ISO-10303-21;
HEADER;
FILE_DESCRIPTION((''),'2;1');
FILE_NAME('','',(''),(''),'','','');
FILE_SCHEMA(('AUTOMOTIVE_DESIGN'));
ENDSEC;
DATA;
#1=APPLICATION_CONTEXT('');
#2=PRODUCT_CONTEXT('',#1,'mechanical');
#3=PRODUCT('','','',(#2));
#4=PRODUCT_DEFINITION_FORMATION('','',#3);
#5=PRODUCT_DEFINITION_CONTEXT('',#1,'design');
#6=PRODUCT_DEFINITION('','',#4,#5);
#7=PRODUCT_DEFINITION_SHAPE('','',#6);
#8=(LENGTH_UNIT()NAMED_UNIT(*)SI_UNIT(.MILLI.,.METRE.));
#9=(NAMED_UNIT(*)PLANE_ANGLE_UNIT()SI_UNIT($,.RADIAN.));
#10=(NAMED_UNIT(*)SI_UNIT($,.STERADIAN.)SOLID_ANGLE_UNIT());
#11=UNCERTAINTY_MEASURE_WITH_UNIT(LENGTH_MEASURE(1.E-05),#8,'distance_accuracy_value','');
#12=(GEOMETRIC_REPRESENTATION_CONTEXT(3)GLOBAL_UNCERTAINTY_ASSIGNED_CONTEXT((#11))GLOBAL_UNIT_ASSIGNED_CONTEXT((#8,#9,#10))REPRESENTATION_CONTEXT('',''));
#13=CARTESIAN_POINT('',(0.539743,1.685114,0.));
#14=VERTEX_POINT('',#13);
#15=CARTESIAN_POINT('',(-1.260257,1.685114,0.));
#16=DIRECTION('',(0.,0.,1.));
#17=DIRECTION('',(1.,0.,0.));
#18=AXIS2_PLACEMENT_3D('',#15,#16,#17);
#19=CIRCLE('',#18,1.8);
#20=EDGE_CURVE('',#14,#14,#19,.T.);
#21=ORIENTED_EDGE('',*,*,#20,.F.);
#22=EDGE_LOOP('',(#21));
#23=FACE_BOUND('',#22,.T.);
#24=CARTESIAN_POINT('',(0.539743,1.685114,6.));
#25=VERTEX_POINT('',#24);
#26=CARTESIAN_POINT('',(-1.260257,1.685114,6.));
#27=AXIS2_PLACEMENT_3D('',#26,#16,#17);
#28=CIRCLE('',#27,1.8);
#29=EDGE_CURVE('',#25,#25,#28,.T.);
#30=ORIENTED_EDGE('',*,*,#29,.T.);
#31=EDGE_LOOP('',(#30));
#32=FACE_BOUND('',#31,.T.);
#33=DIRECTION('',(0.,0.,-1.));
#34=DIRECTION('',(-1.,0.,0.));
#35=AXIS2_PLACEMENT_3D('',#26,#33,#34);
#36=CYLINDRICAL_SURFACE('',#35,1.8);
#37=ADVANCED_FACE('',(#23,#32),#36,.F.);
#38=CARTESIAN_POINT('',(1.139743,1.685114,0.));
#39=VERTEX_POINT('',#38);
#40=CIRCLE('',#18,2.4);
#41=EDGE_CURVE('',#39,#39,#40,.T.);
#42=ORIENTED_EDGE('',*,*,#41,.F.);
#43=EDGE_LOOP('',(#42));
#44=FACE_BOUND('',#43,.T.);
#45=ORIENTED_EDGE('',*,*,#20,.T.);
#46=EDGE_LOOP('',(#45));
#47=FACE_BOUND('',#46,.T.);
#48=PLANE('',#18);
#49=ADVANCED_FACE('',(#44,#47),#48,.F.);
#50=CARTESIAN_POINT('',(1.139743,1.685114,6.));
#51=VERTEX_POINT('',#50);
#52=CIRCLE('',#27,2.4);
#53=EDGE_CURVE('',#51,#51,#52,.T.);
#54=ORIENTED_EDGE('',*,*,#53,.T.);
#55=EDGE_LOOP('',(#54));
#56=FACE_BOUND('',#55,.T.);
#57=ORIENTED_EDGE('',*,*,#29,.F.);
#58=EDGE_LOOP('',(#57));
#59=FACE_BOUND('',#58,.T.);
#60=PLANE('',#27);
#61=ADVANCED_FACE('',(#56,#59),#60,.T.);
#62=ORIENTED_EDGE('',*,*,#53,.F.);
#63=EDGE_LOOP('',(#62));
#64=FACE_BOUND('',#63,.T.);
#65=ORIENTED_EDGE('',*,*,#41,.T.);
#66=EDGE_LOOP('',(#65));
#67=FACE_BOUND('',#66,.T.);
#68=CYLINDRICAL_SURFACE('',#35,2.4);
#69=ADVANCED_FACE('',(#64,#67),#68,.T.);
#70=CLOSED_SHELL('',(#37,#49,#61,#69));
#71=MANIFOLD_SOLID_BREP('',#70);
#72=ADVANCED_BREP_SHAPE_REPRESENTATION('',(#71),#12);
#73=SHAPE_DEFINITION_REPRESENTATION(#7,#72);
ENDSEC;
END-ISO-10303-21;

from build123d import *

# Parameters (mm, degrees)
ESQUISSE1_R             = 2.4
BOSS_EXTRU_1_DEPTH      = 6
ESQUISSE2_R             = 1.8
ENL_V_MAT_EXTRU_1_DEPTH = 6


with BuildPart() as part:
    # Esquisse1 → Boss.-Extru.1 (new body)
    with BuildSketch(Plane.XY):
        with Locations((-1.260256582, 1.685114141)):
            Circle(ESQUISSE1_R)
    extrude(amount=BOSS_EXTRU_1_DEPTH)

    # Esquisse2 → Enlèv. mat.-Extru.1 (cut)
    with BuildSketch(Plane.XY):
        with Locations((-1.260256582, 1.685114141)):
            Circle(ESQUISSE2_R)
    extrude(amount=ENL_V_MAT_EXTRU_1_DEPTH, mode=Mode.SUBTRACT)


solid = part.part
